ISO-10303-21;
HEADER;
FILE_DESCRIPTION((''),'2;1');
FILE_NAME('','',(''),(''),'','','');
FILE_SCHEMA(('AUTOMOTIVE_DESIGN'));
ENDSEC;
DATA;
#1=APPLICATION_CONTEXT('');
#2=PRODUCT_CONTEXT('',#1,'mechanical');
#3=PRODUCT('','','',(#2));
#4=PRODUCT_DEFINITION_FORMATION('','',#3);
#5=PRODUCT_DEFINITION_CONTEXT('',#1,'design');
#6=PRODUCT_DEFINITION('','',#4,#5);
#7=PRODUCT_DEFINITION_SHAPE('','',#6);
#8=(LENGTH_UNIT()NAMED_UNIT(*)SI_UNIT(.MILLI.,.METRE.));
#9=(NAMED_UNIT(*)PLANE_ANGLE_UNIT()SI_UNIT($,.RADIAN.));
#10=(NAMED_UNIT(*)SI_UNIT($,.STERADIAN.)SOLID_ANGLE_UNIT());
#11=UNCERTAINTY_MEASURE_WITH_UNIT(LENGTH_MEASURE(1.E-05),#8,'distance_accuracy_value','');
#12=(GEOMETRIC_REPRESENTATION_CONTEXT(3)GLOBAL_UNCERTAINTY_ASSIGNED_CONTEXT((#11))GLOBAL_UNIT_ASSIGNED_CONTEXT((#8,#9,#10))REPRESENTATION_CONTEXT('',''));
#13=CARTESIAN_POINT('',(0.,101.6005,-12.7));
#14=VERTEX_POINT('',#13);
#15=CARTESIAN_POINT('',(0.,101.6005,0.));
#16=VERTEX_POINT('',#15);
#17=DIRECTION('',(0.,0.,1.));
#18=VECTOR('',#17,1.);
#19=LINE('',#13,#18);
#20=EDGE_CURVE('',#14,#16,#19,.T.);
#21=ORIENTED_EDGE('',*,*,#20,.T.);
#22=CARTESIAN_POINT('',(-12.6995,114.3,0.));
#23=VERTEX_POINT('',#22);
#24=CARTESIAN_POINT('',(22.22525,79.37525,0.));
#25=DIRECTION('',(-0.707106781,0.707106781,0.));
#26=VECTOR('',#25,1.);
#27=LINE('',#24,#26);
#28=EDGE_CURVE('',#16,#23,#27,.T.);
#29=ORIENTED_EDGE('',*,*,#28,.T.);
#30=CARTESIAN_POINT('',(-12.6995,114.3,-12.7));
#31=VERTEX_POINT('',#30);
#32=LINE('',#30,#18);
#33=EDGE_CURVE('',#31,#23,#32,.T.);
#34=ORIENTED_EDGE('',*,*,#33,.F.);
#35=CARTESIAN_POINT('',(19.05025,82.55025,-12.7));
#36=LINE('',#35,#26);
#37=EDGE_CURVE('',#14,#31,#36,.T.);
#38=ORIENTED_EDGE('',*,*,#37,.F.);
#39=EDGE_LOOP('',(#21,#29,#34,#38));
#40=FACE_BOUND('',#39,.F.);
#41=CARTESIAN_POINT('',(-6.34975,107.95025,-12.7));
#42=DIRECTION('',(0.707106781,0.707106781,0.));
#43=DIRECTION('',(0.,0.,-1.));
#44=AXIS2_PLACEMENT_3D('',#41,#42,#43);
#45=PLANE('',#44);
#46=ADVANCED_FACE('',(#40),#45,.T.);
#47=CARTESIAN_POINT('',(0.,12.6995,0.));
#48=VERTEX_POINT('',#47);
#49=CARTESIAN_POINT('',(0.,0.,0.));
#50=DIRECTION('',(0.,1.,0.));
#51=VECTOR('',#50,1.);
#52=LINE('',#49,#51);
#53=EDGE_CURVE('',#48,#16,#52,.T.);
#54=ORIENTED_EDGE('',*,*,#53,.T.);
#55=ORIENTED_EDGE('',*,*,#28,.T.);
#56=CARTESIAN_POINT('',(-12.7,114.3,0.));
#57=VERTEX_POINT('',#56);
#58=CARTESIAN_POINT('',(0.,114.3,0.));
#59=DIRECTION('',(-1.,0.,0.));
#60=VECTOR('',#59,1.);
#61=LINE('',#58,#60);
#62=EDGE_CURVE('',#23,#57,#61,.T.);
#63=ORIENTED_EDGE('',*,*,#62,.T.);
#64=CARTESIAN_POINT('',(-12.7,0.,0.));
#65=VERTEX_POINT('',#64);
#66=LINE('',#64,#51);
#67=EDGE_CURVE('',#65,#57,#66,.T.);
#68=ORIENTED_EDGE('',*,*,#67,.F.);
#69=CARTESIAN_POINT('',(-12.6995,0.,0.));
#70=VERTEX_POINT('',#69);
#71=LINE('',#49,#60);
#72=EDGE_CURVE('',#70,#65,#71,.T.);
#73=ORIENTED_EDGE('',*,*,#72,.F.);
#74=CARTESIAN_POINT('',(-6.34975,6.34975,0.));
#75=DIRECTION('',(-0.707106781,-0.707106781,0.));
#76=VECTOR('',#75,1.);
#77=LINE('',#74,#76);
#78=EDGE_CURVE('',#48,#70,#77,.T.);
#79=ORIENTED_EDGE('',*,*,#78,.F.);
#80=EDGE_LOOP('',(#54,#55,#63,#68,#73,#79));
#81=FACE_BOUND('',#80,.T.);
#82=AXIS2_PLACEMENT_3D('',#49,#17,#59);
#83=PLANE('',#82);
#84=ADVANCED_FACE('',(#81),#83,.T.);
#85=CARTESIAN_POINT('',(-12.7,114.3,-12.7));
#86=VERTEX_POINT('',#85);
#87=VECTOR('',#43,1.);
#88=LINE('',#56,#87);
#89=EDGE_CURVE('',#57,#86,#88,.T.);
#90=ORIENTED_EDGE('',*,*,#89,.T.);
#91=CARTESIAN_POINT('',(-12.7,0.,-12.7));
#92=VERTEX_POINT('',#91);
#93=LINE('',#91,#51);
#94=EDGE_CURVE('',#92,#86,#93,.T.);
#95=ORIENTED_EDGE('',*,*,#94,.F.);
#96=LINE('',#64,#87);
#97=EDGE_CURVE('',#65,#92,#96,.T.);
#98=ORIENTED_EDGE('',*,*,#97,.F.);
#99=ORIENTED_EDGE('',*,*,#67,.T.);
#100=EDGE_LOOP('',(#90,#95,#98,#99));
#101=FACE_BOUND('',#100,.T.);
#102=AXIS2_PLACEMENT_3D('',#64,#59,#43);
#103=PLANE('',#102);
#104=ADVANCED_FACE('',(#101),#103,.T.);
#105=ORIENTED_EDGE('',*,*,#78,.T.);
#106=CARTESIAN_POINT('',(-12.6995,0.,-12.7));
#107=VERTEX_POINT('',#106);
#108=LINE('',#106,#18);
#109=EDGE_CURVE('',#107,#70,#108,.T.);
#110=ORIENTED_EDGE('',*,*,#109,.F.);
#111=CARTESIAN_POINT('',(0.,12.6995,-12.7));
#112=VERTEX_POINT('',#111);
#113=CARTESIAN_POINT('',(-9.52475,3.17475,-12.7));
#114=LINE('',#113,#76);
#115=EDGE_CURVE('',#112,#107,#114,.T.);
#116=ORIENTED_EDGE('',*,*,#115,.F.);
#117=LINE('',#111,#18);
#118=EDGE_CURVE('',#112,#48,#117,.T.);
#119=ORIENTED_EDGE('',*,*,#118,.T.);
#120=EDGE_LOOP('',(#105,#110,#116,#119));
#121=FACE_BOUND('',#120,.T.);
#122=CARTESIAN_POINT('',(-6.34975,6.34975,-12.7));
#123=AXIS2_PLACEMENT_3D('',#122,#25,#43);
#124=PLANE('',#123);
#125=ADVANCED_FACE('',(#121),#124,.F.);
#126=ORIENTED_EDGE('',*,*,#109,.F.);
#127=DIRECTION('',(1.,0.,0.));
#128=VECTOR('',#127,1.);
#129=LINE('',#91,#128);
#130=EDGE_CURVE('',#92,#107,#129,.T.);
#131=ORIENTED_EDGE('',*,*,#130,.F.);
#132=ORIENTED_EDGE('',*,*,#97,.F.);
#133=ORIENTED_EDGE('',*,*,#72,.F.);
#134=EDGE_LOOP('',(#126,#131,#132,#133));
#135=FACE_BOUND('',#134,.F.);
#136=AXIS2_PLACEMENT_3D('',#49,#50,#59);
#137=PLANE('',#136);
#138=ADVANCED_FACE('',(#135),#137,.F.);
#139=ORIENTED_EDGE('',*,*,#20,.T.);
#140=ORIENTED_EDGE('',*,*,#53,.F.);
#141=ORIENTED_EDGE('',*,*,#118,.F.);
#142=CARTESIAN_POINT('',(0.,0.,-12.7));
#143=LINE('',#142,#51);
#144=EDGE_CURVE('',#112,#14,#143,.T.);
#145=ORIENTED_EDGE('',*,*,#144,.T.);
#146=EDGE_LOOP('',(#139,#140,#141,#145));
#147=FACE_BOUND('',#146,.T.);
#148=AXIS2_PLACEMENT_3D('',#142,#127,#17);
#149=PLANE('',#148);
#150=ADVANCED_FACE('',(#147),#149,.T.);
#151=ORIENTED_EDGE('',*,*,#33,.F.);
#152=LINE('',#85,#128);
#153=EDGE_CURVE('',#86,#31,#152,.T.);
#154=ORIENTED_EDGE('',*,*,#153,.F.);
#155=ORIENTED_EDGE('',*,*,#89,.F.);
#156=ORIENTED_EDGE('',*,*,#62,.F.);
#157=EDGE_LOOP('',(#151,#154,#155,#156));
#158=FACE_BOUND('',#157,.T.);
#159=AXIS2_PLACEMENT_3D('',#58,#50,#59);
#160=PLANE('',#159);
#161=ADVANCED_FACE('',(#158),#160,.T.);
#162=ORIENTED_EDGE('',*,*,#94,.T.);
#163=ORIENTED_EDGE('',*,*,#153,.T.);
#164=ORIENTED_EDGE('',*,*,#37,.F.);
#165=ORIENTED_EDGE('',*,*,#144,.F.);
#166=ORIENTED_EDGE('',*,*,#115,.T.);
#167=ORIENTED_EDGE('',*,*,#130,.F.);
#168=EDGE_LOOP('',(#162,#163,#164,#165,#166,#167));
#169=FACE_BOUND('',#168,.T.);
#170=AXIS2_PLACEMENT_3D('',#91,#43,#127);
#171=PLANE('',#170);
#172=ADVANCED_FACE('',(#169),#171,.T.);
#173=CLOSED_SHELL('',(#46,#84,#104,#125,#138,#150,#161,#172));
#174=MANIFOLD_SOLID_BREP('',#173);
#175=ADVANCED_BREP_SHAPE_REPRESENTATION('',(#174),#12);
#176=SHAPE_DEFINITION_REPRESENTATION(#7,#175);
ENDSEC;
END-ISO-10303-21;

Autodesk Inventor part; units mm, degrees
ref_plane "YZ Plane" through (0, 0, 0) normal (1, 0, 0) x (0, 1, 0)
ref_plane "XZ Plane" through (0, 0, 0) normal (0, 1, 0) x (-1, 0, 0)
ref_plane "XY Plane" through (0, 0, 0) normal (0, 0, 1) x (1, 0, 0)
sketch "Sketch1" plane through (0, 0, 0) normal (0, 1, 0) x (-1, 0, 0)
  line L0 (0, 0) -> (12.7, 0)
  line L1 (12.7, 0) -> (12.7, -12.7)
  line L2 (12.7, -12.7) -> (0, -12.7)
  line L3 (0, -12.7) -> (0, 0)
  dimension "d0" = 12.7
  dimension "d1" = 12.7
extrude "Extrusion1" add sketch "Sketch1" along normal blind 114.3
chamfer "Chamfer1" distance 12.7 angle 45 2 edges at (0, 114.3, -6.35) (0, 0, -6.35)
properties part number "CAR_006_PoplarDiagonalBrace" material "Wood (Birch)"
